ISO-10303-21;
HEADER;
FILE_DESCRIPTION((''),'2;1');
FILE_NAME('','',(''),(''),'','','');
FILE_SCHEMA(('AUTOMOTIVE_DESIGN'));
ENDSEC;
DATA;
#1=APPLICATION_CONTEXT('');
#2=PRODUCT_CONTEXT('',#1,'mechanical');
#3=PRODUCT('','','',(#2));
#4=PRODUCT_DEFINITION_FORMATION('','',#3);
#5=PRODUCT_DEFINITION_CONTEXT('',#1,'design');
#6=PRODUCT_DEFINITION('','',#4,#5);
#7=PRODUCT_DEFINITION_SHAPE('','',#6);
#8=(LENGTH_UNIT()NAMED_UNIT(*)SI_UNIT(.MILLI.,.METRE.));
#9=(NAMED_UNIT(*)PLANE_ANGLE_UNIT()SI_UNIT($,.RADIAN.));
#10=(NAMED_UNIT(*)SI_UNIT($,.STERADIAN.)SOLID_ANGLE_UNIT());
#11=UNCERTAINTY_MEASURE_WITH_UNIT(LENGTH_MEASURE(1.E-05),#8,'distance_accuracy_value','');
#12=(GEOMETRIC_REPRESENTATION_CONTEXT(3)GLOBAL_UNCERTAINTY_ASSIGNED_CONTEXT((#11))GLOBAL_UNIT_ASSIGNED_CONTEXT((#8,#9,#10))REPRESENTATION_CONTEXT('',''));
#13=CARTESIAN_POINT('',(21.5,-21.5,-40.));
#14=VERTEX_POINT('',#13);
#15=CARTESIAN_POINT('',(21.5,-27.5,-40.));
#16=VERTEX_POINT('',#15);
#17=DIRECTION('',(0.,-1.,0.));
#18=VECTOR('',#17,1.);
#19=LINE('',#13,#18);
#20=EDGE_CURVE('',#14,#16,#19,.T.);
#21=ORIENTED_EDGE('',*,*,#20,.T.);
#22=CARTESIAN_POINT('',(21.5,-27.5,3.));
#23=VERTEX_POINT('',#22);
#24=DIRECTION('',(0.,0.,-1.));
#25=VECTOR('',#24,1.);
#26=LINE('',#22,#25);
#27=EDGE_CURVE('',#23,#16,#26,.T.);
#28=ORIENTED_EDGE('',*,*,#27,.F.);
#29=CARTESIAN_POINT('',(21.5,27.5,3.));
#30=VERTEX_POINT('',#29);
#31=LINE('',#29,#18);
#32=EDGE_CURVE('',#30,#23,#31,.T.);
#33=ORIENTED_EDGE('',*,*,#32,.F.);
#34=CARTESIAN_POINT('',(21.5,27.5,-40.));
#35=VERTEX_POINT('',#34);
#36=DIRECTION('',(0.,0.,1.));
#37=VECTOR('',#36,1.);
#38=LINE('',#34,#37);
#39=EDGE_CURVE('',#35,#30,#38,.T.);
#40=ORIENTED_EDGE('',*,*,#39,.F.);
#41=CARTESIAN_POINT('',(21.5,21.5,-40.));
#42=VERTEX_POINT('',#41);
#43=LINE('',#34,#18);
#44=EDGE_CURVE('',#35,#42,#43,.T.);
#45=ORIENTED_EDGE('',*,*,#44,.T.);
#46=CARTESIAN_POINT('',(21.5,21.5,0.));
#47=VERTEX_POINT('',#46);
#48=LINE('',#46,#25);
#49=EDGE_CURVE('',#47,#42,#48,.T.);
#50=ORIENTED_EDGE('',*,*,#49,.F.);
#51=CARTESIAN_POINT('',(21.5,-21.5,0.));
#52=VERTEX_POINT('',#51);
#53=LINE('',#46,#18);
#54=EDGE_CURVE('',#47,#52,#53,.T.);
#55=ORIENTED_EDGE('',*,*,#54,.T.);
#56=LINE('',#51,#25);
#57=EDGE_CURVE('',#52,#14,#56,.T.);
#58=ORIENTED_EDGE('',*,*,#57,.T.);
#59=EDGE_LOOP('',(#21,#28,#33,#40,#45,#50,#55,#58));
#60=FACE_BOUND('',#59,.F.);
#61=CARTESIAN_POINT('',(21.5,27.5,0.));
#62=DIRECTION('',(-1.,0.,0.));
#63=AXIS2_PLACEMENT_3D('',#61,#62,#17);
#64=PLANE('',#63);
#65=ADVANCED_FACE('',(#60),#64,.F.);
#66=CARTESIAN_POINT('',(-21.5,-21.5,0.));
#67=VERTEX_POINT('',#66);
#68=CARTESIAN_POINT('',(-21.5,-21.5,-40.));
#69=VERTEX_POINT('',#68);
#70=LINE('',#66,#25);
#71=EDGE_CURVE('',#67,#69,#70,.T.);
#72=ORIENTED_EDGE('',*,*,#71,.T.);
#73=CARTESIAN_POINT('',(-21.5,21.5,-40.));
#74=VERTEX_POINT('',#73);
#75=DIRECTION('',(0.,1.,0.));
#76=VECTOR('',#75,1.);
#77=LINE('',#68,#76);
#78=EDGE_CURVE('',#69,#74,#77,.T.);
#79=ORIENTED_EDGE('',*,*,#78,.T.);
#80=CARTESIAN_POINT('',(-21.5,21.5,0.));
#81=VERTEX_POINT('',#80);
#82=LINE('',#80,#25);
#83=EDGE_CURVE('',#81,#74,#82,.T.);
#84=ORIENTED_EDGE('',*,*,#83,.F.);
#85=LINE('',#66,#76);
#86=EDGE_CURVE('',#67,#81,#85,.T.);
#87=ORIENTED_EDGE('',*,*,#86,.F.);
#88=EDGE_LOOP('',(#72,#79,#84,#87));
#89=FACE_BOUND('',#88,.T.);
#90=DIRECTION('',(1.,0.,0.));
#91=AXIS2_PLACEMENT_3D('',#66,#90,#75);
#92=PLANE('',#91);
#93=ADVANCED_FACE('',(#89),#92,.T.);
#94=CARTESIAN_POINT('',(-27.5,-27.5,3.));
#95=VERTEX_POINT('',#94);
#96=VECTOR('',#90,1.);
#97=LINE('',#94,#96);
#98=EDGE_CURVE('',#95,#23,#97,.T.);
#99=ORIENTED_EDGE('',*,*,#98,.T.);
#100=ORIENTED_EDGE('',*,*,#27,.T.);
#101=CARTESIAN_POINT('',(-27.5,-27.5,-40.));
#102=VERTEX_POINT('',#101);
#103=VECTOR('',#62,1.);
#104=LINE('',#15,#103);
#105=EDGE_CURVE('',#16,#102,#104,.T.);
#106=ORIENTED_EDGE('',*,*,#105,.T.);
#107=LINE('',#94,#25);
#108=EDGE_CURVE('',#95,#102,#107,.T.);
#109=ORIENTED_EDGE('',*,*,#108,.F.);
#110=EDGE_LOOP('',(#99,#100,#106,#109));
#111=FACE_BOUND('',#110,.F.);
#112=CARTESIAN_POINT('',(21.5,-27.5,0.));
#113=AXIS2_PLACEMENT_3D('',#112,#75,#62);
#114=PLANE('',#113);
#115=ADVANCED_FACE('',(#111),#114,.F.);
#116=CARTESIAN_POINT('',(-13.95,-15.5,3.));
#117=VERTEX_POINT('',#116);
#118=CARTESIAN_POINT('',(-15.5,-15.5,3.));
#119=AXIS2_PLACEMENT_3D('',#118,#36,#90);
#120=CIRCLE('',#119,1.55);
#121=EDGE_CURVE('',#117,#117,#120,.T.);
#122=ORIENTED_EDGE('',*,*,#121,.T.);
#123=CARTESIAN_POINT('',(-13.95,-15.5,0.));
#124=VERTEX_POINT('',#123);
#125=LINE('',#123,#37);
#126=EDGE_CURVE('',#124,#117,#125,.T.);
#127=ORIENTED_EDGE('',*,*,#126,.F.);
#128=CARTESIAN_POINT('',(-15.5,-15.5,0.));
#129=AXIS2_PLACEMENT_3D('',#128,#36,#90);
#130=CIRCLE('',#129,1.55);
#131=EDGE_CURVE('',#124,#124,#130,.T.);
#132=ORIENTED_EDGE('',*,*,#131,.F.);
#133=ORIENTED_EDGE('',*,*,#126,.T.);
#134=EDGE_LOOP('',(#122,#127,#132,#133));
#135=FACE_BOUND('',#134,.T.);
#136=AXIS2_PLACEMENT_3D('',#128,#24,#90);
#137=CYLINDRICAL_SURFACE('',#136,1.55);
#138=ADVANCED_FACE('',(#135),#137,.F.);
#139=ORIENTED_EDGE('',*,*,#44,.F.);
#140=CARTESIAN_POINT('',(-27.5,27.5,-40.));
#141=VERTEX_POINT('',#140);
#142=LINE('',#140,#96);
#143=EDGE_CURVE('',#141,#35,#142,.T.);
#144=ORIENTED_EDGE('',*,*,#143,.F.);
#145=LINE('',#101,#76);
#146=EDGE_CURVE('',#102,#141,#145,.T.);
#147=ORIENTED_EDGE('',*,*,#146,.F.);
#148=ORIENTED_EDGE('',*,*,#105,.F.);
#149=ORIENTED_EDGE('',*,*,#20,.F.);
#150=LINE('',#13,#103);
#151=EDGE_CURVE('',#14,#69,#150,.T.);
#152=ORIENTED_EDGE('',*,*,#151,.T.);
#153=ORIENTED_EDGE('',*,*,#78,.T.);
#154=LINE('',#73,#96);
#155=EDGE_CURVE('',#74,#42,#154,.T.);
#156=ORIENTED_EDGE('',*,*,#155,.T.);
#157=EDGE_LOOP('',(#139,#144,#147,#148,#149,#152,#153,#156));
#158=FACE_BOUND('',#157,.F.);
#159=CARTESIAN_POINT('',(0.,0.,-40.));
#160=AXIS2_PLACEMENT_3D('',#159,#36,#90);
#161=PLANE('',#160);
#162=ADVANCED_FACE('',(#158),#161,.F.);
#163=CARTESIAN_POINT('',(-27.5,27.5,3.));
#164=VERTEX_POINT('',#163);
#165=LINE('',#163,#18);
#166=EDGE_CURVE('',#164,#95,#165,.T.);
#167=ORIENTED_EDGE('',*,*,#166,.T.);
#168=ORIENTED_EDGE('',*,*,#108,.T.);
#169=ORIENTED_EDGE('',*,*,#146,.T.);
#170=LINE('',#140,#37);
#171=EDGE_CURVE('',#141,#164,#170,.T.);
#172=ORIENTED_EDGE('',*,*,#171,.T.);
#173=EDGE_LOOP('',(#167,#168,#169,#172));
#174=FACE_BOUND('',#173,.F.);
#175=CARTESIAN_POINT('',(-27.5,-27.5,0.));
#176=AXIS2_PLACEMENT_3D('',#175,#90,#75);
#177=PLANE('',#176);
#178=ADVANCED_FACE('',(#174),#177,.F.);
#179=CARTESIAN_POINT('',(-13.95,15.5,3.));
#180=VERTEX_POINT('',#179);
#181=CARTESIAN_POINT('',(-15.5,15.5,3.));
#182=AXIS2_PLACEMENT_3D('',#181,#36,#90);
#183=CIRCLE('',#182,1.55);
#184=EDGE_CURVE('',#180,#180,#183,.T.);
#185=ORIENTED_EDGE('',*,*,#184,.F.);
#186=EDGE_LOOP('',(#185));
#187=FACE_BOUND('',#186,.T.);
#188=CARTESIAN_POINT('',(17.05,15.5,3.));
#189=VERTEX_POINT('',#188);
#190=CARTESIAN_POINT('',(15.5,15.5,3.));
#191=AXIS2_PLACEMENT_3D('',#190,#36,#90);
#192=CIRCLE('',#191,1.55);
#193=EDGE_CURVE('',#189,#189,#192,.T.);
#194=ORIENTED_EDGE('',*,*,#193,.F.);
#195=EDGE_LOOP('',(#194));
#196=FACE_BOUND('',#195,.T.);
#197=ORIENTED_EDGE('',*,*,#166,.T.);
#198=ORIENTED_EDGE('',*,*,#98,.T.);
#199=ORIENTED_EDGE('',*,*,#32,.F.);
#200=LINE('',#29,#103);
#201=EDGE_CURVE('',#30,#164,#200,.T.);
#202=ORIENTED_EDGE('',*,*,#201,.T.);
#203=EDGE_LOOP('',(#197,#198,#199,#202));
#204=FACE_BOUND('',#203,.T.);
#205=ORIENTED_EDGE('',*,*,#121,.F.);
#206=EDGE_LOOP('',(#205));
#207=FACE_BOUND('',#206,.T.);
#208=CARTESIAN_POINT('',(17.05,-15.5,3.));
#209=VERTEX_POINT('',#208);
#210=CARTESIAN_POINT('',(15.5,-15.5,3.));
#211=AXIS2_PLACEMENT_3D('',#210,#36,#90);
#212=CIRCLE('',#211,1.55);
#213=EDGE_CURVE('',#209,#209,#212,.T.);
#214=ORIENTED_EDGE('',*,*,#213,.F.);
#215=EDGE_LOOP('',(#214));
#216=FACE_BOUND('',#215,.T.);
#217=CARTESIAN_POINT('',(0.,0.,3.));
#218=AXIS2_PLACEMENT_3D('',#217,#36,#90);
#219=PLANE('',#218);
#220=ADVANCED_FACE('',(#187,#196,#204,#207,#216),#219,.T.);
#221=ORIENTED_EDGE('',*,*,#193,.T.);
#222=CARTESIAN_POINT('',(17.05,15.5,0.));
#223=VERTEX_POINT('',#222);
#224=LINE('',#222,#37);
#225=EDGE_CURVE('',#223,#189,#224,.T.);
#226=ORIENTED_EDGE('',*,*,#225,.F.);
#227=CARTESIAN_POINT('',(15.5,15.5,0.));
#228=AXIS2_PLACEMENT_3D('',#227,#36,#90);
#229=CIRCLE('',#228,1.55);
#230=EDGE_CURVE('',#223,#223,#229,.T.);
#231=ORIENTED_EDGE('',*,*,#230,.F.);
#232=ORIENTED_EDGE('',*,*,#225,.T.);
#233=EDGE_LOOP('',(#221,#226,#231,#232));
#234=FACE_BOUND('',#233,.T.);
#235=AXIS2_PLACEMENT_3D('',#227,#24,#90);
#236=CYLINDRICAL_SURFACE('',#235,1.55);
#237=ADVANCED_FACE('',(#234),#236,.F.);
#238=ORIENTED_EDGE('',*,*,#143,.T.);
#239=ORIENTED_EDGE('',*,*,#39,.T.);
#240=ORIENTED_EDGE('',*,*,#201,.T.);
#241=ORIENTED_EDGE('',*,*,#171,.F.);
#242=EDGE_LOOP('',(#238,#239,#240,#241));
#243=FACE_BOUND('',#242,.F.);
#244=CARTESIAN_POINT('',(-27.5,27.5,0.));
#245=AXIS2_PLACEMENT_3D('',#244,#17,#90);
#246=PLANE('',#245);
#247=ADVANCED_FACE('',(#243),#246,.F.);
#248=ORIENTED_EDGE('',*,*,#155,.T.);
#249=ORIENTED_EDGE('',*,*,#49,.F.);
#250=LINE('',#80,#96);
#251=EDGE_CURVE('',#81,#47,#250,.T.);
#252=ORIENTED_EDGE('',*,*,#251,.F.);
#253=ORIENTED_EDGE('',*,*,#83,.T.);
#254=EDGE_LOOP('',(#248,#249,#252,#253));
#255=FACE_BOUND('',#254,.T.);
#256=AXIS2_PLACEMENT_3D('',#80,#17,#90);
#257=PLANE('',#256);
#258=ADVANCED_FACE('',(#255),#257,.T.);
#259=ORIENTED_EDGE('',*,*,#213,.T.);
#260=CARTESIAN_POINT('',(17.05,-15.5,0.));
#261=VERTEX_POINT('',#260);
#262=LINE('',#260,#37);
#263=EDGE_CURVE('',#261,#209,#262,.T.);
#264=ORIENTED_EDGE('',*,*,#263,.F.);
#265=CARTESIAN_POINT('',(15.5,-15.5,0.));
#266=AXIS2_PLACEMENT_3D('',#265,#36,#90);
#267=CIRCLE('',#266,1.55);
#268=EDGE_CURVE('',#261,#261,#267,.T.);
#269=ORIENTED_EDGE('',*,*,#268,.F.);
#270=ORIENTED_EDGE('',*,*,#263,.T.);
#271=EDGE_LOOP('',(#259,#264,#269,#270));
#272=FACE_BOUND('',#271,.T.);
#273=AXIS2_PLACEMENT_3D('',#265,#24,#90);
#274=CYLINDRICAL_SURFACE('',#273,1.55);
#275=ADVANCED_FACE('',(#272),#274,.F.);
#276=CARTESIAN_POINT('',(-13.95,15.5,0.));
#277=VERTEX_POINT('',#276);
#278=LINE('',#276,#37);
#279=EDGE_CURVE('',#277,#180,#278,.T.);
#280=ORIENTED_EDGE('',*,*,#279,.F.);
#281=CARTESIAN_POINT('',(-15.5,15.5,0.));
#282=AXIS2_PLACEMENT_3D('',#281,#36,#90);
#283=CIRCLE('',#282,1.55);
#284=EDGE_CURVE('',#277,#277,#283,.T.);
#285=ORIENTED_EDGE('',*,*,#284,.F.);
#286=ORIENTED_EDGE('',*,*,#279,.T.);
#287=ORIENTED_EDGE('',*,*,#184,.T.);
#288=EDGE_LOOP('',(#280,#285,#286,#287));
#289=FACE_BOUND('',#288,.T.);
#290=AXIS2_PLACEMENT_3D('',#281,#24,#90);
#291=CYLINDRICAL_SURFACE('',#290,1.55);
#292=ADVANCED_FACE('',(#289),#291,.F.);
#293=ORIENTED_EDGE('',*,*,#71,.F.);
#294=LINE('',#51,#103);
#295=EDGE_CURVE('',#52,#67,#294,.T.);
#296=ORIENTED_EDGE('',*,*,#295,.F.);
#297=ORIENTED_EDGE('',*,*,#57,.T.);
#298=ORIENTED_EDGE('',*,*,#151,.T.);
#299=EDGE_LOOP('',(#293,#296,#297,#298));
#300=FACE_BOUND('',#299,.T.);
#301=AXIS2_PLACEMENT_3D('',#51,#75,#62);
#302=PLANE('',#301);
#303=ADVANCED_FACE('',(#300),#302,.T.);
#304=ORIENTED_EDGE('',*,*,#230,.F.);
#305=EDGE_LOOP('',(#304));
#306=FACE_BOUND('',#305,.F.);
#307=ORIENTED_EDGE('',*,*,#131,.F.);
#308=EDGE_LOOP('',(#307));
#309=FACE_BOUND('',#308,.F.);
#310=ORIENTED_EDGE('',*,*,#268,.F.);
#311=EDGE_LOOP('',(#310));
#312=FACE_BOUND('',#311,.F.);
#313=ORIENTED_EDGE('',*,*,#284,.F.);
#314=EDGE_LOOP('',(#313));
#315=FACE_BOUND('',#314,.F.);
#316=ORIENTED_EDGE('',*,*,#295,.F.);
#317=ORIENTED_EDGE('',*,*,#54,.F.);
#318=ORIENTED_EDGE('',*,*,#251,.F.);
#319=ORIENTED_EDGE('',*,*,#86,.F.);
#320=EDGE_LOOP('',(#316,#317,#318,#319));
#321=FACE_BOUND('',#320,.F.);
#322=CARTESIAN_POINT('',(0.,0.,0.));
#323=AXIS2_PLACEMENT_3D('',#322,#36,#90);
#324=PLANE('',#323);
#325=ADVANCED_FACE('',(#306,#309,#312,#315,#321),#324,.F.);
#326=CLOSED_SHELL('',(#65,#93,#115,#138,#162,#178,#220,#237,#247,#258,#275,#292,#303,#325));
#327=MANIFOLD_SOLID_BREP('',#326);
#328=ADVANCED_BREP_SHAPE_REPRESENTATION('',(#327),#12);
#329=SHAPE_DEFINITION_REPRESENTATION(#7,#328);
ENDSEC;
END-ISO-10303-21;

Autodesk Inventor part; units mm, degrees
ref_plane "YZ Plane" through (0, 0, 0) normal (1, 0, 0) x (0, 1, 0)
ref_plane "XZ Plane" through (0, 0, 0) normal (0, 1, 0) x (-1, 0, 0)
sketch "Эскиз1" plane through (0, 0, 0) normal (0, 0, 1) x (1, 0, 0)
  line L0 (21.5, 21.5) -> (21.5, -21.5)
  line L1 (21.5, -21.5) -> (-21.5, -21.5)
  line L2 (-21.5, -21.5) -> (-21.5, 21.5)
  line L3 (-21.5, 21.5) -> (21.5, 21.5)
  line L4 (21.5, 21.5) -> (-21.5, -21.5) construction
  line L5 (21.5, -21.5) -> (-21.5, 21.5) construction
  circle A0 centre (15.5, -15.5) radius 1.55 projected
  circle A1 centre (-15.5, -15.5) radius 1.55 projected
  circle A2 centre (-15.5, 15.5) radius 1.55 projected
  circle A3 centre (15.5, 15.5) radius 1.55 projected
  line L6 (21.5, -21.5) -> (21.5, -27.5)
  line L7 (21.5, -27.5) -> (-27.5, -27.5)
  line L8 (-27.5, -27.5) -> (-27.5, 27.5)
  line L9 (-27.5, 27.5) -> (21.5, 27.5)
  line L10 (21.5, 27.5) -> (21.5, 21.5)
  point P0 (0, 0)
  dimension "d0" = 43
  dimension "d1" = 43
  dimension "d2" = 6
  dimension "d3" = 49
  dimension "d4" = 55
ref_plane "РабПлоскость1" through (-20.5, -20.5, -40) normal (0, 0, -1) x (0, 1, 0)
extrude "Выдавливание1" add sketch "Эскиз1" against normal up to surface (40 mm away) contours L3 L2 L1 L6 L7 L8 L9 L10
sketch "Эскиз3" plane through (0, 0, 0) normal (0, 0, 1) x (1, 0, 0)
  circle A0 centre (15.5, -15.5) radius 1.55 projected
  circle A1 centre (-15.5, -15.5) radius 1.55 projected
  circle A2 centre (-15.5, 15.5) radius 1.55 projected
  circle A3 centre (15.5, 15.5) radius 1.55 projected
  line L0 (-27.5, -27.5) -> (21.5, -27.5) projected
  line L1 (21.5, -21.5) -> (21.5, -27.5) projected
  line L2 (21.5, 21.5) -> (21.5, -21.5) projected
  line L3 (21.5, 27.5) -> (21.5, 21.5) projected
  line L4 (21.5, 27.5) -> (-27.5, 27.5) projected
  line L5 (-27.5, 27.5) -> (-27.5, -27.5) projected
  point P0 (0, 0)
extrude "Выдавливание2" add sketch "Эскиз3" along normal blind 3
properties part number "Держатель"
